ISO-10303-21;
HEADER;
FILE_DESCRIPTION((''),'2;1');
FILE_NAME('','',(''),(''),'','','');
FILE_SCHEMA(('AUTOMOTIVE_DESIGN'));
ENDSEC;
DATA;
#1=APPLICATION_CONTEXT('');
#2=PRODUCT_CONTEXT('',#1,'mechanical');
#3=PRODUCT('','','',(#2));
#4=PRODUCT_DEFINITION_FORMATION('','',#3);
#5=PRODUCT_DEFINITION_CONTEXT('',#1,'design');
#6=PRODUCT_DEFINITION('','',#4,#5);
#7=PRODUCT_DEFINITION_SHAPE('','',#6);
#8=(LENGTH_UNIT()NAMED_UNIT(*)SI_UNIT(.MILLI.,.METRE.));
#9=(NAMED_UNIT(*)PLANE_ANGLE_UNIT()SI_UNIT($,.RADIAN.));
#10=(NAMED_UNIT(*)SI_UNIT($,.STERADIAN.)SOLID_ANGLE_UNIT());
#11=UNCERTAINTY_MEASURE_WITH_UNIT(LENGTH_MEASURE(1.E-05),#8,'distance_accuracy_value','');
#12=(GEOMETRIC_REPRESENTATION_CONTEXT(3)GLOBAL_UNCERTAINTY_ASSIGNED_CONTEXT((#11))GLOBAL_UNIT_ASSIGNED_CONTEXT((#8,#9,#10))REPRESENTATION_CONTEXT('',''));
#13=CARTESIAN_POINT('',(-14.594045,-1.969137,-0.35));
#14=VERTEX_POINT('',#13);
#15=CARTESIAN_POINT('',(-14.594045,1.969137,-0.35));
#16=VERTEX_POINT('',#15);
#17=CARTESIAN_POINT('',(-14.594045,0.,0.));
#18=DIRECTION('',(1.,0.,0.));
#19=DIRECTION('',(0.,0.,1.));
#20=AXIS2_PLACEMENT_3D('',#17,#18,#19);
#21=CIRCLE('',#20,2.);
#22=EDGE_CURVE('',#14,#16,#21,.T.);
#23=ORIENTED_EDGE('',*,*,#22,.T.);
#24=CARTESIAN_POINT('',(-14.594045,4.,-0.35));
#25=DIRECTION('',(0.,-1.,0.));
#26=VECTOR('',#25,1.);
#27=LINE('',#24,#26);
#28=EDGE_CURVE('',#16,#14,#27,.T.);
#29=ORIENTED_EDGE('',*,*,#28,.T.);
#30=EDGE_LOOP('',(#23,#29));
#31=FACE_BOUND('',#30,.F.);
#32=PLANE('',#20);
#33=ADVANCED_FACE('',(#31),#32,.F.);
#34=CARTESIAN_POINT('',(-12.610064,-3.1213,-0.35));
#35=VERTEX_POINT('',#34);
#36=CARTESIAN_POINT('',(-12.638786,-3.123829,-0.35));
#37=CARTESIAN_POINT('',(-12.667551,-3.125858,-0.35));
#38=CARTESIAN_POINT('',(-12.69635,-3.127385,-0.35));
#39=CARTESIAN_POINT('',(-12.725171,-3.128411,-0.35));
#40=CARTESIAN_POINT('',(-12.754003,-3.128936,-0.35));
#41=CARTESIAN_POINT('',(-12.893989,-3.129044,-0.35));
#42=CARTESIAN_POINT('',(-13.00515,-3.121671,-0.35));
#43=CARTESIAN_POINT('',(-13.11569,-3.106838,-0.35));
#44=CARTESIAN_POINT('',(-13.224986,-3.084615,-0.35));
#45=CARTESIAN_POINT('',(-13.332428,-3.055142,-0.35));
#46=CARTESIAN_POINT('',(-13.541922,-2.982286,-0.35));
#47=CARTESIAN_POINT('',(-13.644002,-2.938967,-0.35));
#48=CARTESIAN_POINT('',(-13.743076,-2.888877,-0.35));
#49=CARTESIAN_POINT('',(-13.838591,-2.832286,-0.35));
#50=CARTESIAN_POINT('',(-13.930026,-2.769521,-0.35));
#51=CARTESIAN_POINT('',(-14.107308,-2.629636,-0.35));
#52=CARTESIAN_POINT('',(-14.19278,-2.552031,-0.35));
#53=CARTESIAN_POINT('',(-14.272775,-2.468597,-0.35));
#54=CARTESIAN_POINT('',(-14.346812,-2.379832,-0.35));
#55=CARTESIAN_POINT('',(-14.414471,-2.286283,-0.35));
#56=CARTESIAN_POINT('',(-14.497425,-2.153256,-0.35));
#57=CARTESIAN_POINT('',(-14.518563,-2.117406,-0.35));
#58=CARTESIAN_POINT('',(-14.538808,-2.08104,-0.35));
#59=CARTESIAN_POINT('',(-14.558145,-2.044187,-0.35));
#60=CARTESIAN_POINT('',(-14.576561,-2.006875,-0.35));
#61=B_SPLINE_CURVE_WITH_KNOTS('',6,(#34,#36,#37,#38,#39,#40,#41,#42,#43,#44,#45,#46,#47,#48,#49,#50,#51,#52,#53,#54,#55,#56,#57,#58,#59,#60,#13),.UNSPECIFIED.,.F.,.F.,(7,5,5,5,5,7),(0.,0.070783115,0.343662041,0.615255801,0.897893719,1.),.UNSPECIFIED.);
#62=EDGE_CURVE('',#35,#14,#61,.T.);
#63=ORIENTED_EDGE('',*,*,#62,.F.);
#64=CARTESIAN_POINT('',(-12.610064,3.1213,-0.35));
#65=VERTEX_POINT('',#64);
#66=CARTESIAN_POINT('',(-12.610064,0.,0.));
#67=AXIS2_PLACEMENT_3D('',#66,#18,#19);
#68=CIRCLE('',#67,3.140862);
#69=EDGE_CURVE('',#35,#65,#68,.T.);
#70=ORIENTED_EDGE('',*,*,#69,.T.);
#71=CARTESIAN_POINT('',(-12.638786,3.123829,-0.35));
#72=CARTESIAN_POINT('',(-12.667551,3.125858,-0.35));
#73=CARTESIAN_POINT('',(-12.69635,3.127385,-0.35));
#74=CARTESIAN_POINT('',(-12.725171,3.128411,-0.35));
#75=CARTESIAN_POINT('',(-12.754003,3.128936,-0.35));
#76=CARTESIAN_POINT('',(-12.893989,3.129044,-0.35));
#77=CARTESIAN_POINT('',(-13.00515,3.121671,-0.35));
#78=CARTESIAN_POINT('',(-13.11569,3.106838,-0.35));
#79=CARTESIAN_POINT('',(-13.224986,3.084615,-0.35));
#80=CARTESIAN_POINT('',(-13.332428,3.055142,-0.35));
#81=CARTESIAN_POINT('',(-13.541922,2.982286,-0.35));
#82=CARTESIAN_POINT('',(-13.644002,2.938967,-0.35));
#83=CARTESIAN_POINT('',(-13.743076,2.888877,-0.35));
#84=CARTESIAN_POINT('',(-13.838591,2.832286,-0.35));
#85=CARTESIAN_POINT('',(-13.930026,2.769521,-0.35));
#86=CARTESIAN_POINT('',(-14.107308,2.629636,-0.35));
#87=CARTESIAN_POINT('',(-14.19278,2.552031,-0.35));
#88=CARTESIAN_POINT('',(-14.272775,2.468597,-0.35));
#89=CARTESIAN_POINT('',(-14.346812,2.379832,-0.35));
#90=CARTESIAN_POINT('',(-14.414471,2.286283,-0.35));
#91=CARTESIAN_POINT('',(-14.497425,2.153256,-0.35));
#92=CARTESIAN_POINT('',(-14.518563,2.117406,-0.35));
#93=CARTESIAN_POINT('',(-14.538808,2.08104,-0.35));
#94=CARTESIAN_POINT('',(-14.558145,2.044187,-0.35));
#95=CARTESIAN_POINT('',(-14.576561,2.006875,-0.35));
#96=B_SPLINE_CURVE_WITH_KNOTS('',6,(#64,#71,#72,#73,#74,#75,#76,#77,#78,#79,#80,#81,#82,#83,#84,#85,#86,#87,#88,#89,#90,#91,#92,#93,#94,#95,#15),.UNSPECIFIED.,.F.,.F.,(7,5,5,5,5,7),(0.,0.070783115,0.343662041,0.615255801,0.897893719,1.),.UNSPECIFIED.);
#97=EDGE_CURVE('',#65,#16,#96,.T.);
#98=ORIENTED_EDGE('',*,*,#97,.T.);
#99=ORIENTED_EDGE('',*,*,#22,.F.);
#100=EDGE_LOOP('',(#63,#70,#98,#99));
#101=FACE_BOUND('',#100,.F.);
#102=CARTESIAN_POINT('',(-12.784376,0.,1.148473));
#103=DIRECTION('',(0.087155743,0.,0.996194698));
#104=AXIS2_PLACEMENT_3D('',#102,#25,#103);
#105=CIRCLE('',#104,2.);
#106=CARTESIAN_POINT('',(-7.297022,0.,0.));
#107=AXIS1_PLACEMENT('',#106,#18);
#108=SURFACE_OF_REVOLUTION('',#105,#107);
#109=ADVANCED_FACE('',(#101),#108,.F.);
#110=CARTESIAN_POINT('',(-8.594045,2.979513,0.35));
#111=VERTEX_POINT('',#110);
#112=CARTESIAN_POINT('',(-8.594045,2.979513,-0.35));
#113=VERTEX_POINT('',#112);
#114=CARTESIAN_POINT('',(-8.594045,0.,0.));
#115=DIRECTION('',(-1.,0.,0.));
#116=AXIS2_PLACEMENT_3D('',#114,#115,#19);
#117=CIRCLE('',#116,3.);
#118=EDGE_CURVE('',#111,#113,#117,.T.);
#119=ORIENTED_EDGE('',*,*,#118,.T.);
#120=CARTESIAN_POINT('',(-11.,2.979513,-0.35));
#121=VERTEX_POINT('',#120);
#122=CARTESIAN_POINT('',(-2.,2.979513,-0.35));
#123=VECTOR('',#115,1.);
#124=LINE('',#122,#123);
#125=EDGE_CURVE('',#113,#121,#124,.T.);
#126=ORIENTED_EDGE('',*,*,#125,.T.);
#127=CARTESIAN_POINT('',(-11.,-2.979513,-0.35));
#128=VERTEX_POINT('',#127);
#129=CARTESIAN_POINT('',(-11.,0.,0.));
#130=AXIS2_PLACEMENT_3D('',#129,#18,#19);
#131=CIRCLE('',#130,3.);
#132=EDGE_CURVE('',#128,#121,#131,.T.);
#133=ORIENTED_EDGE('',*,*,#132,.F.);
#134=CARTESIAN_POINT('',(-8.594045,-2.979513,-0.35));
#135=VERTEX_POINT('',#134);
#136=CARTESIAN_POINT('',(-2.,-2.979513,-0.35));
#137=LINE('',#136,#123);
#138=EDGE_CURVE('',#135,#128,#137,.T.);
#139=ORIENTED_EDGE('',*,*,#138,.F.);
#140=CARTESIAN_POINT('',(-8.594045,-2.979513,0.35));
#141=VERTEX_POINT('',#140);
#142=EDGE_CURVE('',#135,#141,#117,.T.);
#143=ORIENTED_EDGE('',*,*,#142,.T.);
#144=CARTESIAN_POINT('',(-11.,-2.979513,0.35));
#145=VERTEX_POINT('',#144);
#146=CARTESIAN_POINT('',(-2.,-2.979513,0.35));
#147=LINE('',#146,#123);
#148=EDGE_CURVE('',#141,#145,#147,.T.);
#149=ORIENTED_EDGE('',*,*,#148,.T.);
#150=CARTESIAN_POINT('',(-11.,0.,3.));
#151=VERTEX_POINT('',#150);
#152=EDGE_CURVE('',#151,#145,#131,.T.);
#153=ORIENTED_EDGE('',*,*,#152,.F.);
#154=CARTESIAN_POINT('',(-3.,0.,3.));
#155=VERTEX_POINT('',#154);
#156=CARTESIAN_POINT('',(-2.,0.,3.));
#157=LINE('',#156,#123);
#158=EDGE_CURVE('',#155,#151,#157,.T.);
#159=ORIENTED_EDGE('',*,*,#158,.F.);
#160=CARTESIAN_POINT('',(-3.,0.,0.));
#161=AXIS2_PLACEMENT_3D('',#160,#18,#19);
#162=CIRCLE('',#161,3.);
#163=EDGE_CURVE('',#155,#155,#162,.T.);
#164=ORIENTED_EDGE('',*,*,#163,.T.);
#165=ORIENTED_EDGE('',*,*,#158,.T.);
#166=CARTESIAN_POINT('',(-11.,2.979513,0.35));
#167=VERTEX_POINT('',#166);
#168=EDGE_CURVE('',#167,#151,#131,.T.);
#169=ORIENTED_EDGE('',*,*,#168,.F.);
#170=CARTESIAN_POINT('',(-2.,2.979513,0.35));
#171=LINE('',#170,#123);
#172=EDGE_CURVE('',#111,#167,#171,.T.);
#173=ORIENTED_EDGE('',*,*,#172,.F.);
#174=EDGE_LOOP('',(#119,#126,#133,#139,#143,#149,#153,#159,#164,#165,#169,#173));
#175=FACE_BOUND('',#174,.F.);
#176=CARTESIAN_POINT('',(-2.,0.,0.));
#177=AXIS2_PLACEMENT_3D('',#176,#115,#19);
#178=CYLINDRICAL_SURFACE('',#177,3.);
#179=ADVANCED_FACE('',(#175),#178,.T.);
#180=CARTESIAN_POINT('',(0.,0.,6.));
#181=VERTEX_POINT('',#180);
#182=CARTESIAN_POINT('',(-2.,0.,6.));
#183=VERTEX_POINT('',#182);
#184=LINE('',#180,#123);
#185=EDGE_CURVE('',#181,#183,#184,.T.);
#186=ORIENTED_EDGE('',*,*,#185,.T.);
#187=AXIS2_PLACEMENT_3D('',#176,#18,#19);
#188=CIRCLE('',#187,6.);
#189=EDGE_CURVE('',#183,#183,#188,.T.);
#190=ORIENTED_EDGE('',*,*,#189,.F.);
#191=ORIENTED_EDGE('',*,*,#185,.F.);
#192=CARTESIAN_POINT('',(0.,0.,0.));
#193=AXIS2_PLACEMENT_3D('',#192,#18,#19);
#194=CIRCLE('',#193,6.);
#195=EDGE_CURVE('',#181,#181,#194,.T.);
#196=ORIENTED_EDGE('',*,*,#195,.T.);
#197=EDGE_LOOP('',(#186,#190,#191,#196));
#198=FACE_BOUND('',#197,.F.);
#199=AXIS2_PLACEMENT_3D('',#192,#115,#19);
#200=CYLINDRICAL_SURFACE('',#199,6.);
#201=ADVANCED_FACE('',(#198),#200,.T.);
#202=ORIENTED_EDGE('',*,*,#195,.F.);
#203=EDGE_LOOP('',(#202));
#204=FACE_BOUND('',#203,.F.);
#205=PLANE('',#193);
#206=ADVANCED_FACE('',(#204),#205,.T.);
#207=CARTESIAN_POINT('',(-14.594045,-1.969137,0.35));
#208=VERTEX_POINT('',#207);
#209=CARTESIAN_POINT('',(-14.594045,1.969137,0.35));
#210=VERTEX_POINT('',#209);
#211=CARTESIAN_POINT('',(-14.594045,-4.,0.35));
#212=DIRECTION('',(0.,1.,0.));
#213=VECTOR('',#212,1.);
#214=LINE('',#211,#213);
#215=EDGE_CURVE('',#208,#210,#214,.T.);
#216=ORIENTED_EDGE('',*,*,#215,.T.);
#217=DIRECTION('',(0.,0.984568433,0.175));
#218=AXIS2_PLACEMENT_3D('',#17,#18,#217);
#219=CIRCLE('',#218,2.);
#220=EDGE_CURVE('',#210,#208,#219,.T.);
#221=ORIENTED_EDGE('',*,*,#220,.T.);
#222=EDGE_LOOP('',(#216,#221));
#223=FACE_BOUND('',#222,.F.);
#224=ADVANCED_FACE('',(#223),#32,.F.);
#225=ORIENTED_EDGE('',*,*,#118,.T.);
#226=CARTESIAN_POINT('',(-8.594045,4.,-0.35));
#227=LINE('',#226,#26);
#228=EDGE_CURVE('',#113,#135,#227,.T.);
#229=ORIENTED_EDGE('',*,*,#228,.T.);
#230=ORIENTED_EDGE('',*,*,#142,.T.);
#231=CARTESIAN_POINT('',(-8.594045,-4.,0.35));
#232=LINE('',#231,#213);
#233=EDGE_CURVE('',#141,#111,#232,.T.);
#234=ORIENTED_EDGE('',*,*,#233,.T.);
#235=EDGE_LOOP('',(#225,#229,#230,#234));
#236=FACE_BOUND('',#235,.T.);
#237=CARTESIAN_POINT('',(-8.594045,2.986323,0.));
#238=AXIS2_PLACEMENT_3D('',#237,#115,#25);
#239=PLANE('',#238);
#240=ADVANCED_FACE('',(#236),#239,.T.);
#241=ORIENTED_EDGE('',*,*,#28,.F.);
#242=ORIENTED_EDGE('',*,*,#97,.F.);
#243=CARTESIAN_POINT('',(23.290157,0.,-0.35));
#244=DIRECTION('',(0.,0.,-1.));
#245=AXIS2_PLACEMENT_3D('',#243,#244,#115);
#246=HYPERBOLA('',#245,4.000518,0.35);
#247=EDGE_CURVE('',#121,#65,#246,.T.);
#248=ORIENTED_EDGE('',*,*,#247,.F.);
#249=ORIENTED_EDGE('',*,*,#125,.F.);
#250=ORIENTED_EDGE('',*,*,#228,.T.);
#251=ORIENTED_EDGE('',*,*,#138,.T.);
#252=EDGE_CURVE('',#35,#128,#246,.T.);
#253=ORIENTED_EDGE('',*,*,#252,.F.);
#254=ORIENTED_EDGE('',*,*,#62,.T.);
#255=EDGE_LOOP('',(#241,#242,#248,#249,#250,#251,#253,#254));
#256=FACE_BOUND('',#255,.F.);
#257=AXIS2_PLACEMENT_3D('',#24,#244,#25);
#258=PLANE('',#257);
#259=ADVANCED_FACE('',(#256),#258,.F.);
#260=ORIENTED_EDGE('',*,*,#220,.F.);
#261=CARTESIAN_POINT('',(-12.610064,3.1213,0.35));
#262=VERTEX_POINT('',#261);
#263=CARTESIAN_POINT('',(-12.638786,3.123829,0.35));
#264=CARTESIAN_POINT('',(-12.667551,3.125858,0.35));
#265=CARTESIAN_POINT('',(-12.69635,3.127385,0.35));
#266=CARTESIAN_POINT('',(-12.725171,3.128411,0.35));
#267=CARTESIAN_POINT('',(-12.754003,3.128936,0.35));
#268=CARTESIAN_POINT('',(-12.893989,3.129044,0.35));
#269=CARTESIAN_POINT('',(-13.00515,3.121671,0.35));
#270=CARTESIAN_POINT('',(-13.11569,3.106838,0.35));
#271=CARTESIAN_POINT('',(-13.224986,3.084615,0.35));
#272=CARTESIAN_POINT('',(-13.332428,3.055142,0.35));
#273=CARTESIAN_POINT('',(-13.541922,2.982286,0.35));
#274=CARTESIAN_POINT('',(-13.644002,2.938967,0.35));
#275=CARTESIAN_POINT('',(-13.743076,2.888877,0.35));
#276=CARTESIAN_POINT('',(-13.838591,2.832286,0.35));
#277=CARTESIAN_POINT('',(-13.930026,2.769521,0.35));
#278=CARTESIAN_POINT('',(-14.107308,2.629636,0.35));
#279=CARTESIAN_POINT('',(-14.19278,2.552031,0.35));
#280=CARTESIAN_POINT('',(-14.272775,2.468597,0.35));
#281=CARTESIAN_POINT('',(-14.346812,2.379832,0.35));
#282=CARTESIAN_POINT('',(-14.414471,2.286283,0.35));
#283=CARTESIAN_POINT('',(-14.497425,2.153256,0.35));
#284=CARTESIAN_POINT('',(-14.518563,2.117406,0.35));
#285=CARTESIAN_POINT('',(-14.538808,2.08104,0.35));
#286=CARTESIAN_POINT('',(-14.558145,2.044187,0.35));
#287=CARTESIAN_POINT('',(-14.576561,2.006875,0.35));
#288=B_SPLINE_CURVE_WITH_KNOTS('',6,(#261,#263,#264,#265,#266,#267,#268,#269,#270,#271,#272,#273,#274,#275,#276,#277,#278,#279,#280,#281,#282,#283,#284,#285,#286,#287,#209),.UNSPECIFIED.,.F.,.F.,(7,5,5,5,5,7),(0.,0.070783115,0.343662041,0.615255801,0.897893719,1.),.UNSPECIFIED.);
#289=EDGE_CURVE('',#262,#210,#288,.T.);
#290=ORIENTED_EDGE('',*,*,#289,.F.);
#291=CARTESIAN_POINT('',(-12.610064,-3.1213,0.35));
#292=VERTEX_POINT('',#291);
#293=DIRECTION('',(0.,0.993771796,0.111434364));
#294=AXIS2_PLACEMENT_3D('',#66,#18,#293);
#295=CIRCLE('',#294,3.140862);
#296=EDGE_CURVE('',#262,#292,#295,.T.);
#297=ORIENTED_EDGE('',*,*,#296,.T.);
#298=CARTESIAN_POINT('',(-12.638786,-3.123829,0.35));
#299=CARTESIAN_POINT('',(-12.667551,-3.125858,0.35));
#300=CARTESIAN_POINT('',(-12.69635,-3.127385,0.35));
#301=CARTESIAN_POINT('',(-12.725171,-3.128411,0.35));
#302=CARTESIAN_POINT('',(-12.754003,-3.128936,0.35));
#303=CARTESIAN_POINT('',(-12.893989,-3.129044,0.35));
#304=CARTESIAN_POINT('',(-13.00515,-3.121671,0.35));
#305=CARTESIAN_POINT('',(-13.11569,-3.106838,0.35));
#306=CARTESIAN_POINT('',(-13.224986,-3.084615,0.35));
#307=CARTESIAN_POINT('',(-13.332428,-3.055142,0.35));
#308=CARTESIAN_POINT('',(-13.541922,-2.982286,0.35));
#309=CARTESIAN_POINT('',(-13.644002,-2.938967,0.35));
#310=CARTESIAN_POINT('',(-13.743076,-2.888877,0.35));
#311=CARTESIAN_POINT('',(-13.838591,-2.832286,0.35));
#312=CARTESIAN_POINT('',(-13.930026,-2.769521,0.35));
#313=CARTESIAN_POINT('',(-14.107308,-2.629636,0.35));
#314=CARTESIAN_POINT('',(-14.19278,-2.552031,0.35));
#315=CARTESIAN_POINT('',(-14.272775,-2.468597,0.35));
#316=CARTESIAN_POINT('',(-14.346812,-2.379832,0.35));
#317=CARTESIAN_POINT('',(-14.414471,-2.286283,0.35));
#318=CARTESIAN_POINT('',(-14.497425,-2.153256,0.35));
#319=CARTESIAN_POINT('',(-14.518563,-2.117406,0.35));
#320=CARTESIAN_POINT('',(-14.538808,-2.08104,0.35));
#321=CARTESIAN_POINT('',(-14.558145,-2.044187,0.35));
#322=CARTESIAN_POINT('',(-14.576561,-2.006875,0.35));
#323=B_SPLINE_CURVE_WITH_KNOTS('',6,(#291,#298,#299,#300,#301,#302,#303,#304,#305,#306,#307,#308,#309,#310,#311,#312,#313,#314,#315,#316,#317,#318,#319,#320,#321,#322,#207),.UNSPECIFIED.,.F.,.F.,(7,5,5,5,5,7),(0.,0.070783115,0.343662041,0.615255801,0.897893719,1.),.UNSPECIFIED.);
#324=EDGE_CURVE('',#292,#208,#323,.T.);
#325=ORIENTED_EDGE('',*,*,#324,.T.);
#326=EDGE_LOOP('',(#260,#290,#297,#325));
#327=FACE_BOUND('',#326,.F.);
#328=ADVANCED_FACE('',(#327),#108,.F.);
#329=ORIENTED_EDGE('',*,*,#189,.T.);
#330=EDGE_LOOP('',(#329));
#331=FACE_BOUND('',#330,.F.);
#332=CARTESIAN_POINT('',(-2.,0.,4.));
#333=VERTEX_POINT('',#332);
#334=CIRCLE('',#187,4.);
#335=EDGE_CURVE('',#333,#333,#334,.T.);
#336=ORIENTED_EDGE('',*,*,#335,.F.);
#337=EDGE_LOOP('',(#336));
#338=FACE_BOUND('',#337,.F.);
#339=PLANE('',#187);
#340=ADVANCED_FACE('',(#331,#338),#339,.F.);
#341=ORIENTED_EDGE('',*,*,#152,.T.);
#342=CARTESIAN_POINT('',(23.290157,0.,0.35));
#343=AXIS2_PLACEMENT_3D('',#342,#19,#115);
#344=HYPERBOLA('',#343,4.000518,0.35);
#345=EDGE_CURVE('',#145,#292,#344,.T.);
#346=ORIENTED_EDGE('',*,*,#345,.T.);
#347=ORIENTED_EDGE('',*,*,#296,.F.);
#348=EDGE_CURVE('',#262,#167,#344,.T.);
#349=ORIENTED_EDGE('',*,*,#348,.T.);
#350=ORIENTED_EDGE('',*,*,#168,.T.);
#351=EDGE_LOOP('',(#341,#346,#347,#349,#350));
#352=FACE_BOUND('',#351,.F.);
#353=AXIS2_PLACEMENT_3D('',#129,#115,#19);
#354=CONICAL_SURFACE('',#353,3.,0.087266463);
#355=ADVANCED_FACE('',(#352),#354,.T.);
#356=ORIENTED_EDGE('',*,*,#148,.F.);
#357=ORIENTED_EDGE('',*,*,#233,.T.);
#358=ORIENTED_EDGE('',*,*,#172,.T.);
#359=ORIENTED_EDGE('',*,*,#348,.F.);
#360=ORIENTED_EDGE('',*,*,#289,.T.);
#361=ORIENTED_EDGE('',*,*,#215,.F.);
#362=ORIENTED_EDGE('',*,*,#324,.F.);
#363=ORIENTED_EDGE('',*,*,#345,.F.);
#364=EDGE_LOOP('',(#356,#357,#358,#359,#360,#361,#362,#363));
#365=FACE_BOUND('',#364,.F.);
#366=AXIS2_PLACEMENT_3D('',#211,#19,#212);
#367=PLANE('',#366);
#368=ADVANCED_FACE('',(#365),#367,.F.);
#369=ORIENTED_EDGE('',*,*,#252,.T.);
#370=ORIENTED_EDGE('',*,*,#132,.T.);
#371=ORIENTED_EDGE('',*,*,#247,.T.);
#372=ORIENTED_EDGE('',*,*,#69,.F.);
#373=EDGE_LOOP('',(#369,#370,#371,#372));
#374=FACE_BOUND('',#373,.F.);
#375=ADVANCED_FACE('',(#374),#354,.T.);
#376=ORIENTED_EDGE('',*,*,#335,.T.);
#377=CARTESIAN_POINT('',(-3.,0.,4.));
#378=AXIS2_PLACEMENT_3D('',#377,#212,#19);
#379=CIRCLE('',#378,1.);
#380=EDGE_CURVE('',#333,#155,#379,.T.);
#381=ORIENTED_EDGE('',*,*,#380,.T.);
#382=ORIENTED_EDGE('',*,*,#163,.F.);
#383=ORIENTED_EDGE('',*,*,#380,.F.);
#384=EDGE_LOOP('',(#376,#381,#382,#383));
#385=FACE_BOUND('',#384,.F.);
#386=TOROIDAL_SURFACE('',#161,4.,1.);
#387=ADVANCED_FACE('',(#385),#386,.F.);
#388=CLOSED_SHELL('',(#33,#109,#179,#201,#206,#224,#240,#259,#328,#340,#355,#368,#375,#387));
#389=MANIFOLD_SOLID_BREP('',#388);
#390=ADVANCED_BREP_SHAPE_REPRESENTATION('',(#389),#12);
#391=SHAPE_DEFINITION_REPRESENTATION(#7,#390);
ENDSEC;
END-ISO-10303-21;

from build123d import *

# Parameters (mm, degrees)
F3_DEPTH = 6
F4_R     = 1


with BuildPart() as f1:
    # F0 (on Front) → F1 (revolve)
    with BuildSketch(Plane.XZ):
        with BuildLine():
            Line((-14.5940445242, 0), (0, 0))
            Line((0, 0), (0, 6))
            Line((0, 6), (-2, 6))
            Line((-2, 6), (-2, 3))
            Line((-2, 3), (-11, 3))
            Line((-11, 3), (-12.6100640914, 3.1408623555))
            ThreePointArc((-12.6100640914, 3.1408623555), (-13.7813661664, 2.8822577685), (-14.5940445242, 2))
            Line((-14.5940445242, 2), (-14.5940445242, 0))
        make_face()
    revolve(axis=Axis((-7.2970222621, 0, 0), (1, 0, 0)))

    # F2 (on face) → F3 (cut)
    with BuildSketch(Plane(origin=(-14.5940445242, 0, 0), x_dir=(0, -1, 0), z_dir=(-1, 0, 0))):
        with BuildLine():
            ThreePointArc((-1.9691368668, -0.35), (-2, 0), (-1.9691368668, 0.35))
            Line((-1.9691368668, 0.35), (-4, 0.35))
            Line((-4, 0.35), (-4, -0.35))
            Line((-4, -0.35), (-2.9795133831, -0.35))
            Line((-2.9795133831, -0.35), (-1.9691368668, -0.35))
        make_face()
        with BuildLine():
            Line((1.9691368668, 0.35), (0.25, 0.35))
            Line((0.25, 0.35), (0.25, 0))
            Line((0.25, 0), (0.25, -0.35))
            Line((0.25, -0.35), (1.9691368668, -0.35))
            ThreePointArc((1.9691368668, -0.35), (1.9922692757, -0.1756790632), (2, 0))
            ThreePointArc((2, 0), (1.9922692757, 0.1756790632), (1.9691368668, 0.35))
        make_face()
        with BuildLine():
            Line((-0.25, 0), (-0.25, 0.35))
            Line((-0.25, 0.35), (-1.9691368668, 0.35))
            ThreePointArc((-1.9691368668, 0.35), (-2, 0), (-1.9691368668, -0.35))
            Line((-1.9691368668, -0.35), (-0.25, -0.35))
            Line((-0.25, -0.35), (-0.25, 0))
        make_face()
        Polygon((0.25, 0), (0.25, 0.35), (-0.25, 0.35), (-0.25, 0), (-0.25, -0.35), (0.25, -0.35), align=None)
        with BuildLine():
            Line((4, 0.35), (1.9691368668, 0.35))
            ThreePointArc((1.9691368668, 0.35), (1.9922692757, 0.1756790632), (2, 0))
            ThreePointArc((2, 0), (1.9922692757, -0.1756790632), (1.9691368668, -0.35))
            Line((1.9691368668, -0.35), (2.9795133831, -0.35))
            Line((2.9795133831, -0.35), (4, -0.35))
            Line((4, -0.35), (4, 0.35))
        make_face()
    extrude(amount=-F3_DEPTH, mode=Mode.SUBTRACT)

    # F4
    f4_edges = [f1.edges().sort_by_distance(p)[0] for p in [
        (-2, 0, -3),
    ]]
    fillet(f4_edges, radius=F4_R)


solid = f1.part
